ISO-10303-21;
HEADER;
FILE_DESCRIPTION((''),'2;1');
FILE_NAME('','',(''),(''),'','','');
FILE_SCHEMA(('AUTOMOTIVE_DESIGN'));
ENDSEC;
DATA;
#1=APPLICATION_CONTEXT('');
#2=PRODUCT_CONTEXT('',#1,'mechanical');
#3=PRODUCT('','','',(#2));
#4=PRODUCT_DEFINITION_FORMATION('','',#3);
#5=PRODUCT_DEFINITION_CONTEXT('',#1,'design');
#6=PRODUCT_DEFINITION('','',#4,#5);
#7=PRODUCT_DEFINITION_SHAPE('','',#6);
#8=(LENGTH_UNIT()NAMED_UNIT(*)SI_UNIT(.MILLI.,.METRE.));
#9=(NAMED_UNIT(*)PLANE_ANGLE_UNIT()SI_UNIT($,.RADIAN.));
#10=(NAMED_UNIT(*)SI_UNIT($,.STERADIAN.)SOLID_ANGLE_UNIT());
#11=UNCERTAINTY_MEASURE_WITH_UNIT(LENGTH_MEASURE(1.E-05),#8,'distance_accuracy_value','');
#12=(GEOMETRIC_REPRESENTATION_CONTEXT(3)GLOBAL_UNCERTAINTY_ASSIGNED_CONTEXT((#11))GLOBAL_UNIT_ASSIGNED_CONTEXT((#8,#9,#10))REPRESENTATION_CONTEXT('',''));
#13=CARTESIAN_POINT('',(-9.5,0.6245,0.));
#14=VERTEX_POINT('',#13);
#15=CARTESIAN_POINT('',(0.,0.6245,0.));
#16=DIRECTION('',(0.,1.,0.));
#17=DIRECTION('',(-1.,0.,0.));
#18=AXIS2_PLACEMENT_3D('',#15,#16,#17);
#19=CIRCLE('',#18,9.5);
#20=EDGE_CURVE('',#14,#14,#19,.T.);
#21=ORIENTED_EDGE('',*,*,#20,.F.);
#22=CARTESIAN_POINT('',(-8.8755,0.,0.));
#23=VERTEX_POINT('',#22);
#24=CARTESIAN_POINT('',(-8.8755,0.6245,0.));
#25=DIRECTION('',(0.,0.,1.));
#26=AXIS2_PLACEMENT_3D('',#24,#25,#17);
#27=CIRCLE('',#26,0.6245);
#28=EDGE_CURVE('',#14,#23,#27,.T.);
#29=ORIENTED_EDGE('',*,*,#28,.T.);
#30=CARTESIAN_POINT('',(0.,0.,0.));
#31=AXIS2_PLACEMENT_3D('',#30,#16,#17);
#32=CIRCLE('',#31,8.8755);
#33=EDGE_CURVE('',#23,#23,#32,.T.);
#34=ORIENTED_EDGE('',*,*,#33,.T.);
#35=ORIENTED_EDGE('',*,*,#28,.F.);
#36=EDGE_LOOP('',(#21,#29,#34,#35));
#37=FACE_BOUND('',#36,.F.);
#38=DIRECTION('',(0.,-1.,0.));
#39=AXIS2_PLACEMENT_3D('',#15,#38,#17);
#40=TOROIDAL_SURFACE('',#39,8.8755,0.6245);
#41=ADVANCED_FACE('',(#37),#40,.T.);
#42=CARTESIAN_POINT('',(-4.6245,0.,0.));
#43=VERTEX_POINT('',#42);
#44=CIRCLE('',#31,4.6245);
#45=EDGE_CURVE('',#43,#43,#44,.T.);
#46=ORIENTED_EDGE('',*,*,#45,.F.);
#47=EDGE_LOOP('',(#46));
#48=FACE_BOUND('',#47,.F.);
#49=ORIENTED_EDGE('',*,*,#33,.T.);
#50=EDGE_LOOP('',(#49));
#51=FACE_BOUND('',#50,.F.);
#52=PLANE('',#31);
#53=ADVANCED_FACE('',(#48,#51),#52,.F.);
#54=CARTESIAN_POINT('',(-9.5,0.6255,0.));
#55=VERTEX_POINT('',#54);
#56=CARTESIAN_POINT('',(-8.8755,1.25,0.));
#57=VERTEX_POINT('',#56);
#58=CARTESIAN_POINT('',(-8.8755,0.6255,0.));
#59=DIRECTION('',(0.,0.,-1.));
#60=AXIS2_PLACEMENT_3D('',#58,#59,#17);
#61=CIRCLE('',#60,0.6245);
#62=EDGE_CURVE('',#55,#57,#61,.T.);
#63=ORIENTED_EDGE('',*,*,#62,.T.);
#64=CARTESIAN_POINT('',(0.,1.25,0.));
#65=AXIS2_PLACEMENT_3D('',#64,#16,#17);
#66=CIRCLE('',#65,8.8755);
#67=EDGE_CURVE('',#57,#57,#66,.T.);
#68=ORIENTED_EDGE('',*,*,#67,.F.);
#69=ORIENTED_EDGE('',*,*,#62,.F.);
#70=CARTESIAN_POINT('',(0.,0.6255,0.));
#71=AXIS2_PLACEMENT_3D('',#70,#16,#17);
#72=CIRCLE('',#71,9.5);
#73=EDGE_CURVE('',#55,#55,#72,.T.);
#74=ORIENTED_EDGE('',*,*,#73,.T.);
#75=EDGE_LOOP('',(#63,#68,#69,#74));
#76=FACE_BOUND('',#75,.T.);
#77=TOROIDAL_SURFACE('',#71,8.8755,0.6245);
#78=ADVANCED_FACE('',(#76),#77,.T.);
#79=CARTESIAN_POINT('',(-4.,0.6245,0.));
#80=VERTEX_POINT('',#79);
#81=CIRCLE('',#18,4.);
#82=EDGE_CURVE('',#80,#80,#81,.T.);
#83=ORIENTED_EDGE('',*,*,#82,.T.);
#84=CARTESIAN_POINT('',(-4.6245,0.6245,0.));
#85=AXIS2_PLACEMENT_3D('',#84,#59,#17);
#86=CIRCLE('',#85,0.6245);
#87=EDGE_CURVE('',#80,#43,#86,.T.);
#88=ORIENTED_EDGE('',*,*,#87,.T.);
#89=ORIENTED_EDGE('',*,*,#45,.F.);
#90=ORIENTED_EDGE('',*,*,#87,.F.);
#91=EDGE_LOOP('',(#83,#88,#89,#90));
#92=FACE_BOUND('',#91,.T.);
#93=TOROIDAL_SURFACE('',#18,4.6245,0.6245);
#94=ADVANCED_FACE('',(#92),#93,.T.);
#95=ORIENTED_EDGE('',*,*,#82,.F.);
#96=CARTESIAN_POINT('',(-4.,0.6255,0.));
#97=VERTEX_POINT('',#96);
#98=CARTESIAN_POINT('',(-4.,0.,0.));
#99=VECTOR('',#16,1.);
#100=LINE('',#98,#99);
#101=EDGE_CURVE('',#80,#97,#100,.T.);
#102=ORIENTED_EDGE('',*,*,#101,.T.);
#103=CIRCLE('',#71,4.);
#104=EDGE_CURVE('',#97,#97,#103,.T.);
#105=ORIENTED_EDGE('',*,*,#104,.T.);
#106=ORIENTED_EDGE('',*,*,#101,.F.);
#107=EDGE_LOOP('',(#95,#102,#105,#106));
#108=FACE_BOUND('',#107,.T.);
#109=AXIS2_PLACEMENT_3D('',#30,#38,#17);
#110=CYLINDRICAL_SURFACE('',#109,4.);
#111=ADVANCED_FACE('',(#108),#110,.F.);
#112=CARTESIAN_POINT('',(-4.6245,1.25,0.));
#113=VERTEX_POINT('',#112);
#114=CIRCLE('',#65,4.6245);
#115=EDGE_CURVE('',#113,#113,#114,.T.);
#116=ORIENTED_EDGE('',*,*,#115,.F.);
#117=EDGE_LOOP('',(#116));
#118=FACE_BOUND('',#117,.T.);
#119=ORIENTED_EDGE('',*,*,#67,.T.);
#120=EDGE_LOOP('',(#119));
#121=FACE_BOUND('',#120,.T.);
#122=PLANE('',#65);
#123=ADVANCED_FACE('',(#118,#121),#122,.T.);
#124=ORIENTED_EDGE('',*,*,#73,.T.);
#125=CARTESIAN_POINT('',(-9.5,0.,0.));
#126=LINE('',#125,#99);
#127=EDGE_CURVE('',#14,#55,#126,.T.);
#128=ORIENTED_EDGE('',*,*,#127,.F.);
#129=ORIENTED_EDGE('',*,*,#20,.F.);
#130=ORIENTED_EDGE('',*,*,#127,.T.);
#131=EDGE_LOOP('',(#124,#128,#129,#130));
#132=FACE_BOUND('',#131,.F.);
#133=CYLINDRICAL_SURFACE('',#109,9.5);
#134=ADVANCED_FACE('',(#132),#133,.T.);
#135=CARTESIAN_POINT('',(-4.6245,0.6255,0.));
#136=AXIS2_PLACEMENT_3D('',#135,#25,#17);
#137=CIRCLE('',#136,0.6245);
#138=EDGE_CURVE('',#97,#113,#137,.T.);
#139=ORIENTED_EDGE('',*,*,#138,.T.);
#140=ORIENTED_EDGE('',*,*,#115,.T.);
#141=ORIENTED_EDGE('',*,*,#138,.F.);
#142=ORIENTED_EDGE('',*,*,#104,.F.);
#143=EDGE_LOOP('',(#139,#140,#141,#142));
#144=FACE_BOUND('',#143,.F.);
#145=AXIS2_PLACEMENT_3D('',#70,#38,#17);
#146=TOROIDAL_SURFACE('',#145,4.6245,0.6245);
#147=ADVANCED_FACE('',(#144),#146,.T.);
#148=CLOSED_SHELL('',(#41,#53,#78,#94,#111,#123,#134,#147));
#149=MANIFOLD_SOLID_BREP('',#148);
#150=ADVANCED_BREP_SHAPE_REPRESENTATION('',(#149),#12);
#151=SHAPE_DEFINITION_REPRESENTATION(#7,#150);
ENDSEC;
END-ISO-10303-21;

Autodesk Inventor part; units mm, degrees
ref_plane "YZ Plane" through (0, 0, 0) normal (1, 0, 0) x (0, 1, 0)
ref_plane "XZ Plane" through (0, 0, 0) normal (0, 1, 0) x (-1, 0, 0)
ref_plane "XY Plane" through (0, 0, 0) normal (0, 0, 1) x (1, 0, 0)
sketch "Sketch1" plane through (0, 0, 0) normal (0, 1, 0) x (-1, 0, 0)
  circle A0 centre (0, 0) radius 4
  circle A1 centre (0, 0) radius 9.5
  dimension "d0" = 8
  dimension "d1" = 19
extrude "Extrusion1" add sketch "Sketch1" along normal blind 1.25
fillet "Fillet1" radius 0.625 4 edges at (9.5, 1.25, 0) (9.5, 0, 0) (4, 1.25, 0) (4, 0, 0)
properties part number "Arandela"
